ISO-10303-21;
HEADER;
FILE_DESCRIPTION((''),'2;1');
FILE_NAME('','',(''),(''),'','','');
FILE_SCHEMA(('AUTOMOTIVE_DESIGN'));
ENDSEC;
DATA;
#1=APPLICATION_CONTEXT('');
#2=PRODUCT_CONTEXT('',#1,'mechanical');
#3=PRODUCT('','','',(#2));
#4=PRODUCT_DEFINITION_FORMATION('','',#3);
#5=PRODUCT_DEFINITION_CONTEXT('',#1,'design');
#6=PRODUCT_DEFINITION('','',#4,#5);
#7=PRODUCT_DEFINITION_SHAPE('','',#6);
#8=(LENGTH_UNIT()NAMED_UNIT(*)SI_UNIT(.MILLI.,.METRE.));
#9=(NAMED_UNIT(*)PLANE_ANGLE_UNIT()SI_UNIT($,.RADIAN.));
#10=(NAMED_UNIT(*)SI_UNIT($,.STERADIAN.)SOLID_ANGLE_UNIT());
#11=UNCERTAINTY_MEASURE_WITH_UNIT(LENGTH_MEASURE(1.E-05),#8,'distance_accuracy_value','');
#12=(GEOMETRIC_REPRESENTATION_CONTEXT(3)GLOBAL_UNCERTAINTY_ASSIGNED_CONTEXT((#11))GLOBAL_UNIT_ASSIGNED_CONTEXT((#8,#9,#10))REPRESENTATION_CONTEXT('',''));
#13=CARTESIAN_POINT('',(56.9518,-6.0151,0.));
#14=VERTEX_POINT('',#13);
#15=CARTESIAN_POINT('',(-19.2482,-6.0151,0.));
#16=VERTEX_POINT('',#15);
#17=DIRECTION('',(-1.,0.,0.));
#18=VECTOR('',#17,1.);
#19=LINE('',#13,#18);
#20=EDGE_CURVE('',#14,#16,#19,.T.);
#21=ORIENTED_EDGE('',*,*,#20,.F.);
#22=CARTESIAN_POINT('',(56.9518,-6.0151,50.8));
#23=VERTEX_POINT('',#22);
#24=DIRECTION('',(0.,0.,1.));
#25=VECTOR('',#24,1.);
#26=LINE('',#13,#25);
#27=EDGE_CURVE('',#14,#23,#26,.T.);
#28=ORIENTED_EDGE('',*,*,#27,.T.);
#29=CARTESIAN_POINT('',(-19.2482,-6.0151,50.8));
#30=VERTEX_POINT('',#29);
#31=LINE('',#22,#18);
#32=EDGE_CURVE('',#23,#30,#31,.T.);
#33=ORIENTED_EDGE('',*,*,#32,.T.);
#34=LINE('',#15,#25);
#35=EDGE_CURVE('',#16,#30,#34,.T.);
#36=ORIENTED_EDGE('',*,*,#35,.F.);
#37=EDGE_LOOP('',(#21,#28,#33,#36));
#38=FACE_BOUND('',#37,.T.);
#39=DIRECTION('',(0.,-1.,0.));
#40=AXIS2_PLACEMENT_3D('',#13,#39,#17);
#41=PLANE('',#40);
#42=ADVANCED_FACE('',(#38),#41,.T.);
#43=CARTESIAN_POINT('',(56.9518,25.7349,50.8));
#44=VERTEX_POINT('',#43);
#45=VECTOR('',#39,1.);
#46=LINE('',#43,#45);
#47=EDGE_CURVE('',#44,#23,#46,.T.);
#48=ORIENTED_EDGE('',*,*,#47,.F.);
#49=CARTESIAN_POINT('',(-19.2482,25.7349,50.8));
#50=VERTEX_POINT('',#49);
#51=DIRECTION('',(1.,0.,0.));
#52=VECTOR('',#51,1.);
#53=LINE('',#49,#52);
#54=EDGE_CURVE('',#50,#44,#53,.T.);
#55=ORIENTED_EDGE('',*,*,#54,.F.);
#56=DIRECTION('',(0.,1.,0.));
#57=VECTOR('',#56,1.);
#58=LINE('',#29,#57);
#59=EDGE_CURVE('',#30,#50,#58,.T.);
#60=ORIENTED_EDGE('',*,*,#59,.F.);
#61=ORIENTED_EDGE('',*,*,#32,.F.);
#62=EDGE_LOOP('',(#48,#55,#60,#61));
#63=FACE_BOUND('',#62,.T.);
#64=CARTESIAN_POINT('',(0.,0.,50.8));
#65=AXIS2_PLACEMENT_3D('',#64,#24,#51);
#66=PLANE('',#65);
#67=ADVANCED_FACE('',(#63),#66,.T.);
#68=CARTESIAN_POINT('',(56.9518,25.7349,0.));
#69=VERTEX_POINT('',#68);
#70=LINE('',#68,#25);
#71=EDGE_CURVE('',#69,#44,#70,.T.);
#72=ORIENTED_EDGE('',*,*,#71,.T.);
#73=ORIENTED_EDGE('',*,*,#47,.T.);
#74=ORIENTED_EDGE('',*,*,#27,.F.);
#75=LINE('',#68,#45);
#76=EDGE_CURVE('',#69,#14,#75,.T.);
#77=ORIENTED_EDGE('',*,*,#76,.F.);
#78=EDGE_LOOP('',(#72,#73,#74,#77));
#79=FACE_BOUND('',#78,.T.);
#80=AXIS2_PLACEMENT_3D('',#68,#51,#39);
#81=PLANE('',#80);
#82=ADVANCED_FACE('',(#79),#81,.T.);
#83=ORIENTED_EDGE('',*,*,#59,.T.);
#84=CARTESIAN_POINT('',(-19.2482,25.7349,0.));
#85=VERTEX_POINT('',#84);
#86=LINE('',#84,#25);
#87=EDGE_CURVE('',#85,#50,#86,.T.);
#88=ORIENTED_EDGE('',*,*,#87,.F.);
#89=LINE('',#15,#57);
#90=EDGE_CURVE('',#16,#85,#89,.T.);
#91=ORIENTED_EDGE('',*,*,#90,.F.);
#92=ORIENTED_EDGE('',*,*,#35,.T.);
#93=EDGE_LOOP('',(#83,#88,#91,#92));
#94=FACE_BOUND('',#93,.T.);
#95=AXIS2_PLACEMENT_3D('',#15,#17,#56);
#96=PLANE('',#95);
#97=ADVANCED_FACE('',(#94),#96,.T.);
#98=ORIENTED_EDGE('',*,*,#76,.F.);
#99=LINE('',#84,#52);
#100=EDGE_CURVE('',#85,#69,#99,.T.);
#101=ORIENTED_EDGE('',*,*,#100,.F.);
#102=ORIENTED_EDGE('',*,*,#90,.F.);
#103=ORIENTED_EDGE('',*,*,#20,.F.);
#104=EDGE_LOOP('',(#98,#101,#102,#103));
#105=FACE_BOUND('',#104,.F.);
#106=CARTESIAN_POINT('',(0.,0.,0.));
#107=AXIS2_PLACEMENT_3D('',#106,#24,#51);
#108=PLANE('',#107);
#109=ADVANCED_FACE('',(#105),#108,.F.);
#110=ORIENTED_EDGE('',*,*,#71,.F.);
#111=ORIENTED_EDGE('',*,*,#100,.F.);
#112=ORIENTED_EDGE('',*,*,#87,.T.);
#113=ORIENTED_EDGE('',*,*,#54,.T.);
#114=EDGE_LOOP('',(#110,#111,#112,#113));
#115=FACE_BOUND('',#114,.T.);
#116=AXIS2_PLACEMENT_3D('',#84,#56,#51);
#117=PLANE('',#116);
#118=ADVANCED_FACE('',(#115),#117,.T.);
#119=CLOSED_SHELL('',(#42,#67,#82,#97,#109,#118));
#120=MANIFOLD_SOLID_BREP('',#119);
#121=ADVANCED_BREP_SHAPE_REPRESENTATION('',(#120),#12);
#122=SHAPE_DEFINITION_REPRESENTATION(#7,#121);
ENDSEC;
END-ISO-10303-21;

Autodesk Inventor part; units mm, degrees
ref_plane "YZ Plane" through (0, 0, 0) normal (1, 0, 0) x (0, 1, 0)
ref_plane "XZ Plane" through (0, 0, 0) normal (0, 1, 0) x (-1, 0, 0)
ref_plane "XY Plane" through (0, 0, 0) normal (0, 0, 1) x (1, 0, 0)
sketch "Sketch1" plane through (0, 0, 0) normal (0, 0, 1) x (1, 0, 0)
  line L0 (-19.2482, 25.7349) -> (56.9518, 25.7349)
  line L1 (56.9518, 25.7349) -> (56.9518, -6.0151)
  line L2 (56.9518, -6.0151) -> (-19.2482, -6.0151)
  line L3 (-19.2482, -6.0151) -> (-19.2482, 25.7349)
  point P0 (0, 0)
  dimension "d0" = 76.2
  dimension "d1" = 31.75
extrude "Extrusion1" add sketch "Sketch1" along normal blind 50.8
properties part number "3 x2"
